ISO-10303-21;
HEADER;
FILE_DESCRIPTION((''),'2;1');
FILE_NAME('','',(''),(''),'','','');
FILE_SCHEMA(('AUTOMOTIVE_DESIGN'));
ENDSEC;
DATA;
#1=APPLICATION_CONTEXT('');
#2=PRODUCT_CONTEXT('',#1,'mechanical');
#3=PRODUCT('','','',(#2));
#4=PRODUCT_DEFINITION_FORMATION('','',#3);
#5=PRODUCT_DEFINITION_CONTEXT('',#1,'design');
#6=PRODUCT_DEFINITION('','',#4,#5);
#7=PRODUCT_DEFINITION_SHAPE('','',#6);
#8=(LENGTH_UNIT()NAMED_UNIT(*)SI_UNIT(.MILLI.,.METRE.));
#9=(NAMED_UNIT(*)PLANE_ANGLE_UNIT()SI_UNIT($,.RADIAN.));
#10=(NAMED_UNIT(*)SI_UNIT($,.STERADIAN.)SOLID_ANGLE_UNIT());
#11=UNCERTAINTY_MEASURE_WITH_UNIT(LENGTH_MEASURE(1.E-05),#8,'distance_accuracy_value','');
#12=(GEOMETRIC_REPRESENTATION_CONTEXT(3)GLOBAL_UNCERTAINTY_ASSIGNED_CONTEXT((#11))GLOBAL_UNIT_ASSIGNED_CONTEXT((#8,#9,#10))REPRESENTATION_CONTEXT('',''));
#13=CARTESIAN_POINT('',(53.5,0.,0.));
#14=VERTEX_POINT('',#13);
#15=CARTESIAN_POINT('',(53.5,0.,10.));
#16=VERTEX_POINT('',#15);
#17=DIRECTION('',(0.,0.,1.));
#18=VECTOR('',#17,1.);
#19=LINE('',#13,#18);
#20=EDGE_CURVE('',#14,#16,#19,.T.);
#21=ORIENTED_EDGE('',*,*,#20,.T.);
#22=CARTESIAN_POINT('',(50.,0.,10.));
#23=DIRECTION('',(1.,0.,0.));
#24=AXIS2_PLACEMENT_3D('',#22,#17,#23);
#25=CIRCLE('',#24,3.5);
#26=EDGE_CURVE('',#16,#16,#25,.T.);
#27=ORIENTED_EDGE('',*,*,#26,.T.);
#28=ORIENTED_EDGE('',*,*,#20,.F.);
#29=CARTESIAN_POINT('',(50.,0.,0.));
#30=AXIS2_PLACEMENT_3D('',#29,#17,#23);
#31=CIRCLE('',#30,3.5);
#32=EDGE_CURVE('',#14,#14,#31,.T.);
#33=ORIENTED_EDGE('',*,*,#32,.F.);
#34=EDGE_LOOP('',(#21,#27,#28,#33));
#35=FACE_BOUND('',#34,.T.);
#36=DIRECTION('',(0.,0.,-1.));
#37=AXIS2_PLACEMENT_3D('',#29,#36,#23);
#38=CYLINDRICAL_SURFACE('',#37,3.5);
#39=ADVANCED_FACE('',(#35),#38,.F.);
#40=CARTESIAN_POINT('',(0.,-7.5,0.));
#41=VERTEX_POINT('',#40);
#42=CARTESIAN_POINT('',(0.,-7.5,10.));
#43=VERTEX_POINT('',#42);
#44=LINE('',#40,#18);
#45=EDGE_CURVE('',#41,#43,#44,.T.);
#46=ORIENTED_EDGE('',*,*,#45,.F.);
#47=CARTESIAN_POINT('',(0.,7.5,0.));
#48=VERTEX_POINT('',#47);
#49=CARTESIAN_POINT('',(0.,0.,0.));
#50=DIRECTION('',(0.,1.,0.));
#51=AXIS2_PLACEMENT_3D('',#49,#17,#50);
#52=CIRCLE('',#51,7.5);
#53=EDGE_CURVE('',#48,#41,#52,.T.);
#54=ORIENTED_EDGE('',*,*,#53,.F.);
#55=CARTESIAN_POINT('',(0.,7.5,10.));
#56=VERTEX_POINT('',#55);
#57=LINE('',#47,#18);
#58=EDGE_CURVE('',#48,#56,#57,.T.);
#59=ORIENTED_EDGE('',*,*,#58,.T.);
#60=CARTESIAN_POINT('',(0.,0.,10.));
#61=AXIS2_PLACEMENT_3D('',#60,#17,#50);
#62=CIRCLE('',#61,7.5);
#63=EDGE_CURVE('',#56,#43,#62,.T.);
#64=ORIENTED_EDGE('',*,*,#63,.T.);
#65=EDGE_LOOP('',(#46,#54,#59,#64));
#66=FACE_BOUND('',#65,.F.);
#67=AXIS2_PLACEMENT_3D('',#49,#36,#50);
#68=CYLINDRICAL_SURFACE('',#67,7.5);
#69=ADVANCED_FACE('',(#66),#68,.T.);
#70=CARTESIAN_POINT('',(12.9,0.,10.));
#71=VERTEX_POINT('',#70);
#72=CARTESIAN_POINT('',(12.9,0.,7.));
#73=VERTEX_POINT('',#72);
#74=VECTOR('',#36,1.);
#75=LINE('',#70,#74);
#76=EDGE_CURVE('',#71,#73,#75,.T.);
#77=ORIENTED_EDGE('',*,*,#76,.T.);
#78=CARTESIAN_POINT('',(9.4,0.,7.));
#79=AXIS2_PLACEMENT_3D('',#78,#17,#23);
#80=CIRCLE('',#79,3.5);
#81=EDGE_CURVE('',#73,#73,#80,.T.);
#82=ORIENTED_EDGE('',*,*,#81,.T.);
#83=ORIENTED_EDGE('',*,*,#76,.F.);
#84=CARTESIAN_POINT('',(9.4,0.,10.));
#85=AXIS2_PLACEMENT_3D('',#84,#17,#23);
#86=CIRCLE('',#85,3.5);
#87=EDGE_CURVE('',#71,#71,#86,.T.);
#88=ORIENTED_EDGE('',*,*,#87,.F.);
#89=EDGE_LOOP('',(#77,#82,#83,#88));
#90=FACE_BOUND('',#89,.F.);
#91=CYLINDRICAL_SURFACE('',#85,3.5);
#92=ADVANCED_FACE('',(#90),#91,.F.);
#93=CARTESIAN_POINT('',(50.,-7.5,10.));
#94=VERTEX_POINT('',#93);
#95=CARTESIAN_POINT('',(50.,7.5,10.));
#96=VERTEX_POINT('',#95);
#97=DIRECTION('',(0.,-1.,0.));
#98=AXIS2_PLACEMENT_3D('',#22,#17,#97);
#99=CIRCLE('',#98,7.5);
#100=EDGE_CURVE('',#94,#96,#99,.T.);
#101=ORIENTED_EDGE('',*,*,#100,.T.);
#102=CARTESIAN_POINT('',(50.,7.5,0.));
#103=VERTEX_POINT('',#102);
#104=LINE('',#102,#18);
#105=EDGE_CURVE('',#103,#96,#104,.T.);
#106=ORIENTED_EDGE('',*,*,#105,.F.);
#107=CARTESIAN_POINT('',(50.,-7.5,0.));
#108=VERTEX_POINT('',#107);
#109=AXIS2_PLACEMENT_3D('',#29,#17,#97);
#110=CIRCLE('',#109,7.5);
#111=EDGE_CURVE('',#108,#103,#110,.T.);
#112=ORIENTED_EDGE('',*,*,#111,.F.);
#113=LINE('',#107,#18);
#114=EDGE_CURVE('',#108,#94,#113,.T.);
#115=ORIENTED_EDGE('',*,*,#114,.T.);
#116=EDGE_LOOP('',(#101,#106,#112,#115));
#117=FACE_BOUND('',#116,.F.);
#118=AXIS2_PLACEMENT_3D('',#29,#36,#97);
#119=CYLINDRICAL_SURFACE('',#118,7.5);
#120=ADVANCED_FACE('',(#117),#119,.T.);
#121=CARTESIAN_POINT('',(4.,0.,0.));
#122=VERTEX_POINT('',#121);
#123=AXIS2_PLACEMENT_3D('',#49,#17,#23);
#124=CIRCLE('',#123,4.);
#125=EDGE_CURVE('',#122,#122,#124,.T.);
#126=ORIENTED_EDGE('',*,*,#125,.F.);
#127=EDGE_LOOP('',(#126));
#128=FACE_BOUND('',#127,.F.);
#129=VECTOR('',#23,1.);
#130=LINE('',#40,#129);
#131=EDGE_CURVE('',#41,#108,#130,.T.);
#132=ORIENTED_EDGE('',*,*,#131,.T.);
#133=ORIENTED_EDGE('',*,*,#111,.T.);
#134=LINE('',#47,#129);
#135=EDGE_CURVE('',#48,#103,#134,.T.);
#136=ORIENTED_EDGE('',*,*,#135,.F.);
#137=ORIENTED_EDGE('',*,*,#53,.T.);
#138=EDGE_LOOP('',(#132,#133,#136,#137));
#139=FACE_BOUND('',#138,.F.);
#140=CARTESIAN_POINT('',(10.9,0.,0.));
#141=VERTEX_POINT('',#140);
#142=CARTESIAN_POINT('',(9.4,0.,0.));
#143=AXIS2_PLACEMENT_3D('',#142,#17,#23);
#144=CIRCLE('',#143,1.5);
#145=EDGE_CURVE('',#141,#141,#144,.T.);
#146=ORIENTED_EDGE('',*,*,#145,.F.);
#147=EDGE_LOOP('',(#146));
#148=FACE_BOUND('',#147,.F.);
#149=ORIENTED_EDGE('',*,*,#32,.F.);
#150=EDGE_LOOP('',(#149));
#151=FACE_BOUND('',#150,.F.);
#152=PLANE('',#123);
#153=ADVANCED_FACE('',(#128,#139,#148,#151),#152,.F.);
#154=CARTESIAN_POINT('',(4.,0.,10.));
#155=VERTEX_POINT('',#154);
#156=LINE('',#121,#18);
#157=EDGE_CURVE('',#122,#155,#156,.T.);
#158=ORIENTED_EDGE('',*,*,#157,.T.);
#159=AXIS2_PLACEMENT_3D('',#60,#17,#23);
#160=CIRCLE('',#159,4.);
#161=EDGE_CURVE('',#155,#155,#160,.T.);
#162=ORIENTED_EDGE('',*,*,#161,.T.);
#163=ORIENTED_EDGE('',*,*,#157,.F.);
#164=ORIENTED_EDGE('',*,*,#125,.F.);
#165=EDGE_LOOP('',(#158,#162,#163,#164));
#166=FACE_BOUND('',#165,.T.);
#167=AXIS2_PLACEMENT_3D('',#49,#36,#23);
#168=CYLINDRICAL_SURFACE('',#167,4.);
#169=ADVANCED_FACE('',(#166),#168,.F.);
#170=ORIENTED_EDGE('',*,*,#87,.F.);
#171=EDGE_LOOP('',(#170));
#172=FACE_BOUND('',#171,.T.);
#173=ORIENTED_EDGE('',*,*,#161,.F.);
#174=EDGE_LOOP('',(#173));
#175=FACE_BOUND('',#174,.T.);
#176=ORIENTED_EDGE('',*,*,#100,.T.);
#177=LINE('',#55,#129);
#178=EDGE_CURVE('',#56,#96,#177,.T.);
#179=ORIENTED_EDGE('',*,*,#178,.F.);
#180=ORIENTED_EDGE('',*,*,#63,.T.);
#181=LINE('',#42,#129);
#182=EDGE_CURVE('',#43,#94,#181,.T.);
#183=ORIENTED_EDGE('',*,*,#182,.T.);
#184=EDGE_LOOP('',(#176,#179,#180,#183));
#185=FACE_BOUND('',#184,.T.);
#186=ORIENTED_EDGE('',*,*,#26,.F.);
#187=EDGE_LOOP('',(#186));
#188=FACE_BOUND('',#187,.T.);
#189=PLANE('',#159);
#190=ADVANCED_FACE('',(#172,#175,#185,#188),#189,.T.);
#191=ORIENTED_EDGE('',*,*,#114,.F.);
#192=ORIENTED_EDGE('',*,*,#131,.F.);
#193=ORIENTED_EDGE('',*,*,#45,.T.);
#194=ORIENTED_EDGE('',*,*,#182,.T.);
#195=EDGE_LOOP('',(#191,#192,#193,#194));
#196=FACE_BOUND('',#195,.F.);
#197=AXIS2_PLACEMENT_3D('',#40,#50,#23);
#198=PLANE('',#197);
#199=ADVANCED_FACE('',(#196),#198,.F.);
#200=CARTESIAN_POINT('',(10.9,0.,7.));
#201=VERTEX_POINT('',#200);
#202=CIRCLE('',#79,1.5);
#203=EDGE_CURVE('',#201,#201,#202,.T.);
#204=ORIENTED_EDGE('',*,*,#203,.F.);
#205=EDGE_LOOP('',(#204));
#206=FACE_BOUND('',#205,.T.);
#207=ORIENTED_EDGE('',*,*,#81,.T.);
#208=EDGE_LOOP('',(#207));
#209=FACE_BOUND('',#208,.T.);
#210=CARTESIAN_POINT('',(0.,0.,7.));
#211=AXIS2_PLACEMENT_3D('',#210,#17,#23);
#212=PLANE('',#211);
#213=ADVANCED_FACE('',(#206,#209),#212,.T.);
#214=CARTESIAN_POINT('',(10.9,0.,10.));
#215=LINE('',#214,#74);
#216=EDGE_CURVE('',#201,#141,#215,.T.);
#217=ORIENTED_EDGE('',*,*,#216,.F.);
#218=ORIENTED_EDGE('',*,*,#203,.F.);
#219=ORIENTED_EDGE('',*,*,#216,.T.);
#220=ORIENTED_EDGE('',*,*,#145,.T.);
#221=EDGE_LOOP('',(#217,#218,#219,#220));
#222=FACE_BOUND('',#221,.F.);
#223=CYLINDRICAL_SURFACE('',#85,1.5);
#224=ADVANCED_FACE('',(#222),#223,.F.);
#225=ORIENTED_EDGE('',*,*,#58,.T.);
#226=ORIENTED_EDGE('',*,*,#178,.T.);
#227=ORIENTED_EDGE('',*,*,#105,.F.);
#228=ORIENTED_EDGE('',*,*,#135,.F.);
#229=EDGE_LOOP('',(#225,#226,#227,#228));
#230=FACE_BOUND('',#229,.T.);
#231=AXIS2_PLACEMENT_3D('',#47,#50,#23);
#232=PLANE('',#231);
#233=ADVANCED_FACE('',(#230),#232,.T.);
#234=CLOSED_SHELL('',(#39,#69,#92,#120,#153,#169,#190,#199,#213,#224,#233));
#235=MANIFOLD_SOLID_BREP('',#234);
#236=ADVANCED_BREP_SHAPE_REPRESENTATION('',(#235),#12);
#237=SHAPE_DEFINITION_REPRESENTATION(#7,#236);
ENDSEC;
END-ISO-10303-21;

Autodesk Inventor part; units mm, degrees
ref_plane "YZ Plane" through (0, 0, 0) normal (1, 0, 0) x (0, 1, 0)
ref_plane "XZ Plane" through (0, 0, 0) normal (0, 1, 0) x (-1, 0, 0)
ref_plane "XY Plane" through (0, 0, 0) normal (0, 0, 1) x (1, 0, 0)
sketch "Sketch1" plane through (0, 0, 0) normal (0, 0, 1) x (1, 0, 0)
  circle A0 centre (0, 0) radius 7.5 construction
  circle A1 centre (0, 0) radius 4
  arc A2 (0, 7.5) -> (0, -7.5) centre (0, 0) ccw
  line L0 (0, 7.5) -> (50, 7.5)
  line L1 (0, -7.5) -> (50, -7.5)
  circle A3 centre (50, 0) radius 7.5 construction
  arc A4 (50, -7.5) -> (50, 7.5) centre (50, 0) ccw
  circle A5 centre (50, 0) radius 3.5
  dimension "d0" = 15
  dimension "d1" = 8
  dimension "d2" = 50
  dimension "d3" = 7
extrude "Extrusion1" add sketch "Sketch1" along normal blind 10
sketch "Sketch2" plane through (0, 0, 10) normal (0, 0, 1) x (1, 0, 0)
  circle A0 centre (9.4, 0) radius 1.5
  point P0 (0, 0)
  dimension "d6" = 3
  dimension "d7" = 9.4
extrude "Extrusion2" cut sketch "Sketch2" against normal through all
sketch "Sketch3" plane through (0, 0, 10) normal (0, 0, 1) x (1, 0, 0)
  circle A0 centre (9.4, 0) radius 1.5 projected
  circle A1 centre (9.4, 0) radius 3.5
  point P0 (0, 0)
  dimension "d10" = 2
extrude "Extrusion3" cut sketch "Sketch3" against normal blind 3
properties part number "GA004" material "ABS Plastic"
